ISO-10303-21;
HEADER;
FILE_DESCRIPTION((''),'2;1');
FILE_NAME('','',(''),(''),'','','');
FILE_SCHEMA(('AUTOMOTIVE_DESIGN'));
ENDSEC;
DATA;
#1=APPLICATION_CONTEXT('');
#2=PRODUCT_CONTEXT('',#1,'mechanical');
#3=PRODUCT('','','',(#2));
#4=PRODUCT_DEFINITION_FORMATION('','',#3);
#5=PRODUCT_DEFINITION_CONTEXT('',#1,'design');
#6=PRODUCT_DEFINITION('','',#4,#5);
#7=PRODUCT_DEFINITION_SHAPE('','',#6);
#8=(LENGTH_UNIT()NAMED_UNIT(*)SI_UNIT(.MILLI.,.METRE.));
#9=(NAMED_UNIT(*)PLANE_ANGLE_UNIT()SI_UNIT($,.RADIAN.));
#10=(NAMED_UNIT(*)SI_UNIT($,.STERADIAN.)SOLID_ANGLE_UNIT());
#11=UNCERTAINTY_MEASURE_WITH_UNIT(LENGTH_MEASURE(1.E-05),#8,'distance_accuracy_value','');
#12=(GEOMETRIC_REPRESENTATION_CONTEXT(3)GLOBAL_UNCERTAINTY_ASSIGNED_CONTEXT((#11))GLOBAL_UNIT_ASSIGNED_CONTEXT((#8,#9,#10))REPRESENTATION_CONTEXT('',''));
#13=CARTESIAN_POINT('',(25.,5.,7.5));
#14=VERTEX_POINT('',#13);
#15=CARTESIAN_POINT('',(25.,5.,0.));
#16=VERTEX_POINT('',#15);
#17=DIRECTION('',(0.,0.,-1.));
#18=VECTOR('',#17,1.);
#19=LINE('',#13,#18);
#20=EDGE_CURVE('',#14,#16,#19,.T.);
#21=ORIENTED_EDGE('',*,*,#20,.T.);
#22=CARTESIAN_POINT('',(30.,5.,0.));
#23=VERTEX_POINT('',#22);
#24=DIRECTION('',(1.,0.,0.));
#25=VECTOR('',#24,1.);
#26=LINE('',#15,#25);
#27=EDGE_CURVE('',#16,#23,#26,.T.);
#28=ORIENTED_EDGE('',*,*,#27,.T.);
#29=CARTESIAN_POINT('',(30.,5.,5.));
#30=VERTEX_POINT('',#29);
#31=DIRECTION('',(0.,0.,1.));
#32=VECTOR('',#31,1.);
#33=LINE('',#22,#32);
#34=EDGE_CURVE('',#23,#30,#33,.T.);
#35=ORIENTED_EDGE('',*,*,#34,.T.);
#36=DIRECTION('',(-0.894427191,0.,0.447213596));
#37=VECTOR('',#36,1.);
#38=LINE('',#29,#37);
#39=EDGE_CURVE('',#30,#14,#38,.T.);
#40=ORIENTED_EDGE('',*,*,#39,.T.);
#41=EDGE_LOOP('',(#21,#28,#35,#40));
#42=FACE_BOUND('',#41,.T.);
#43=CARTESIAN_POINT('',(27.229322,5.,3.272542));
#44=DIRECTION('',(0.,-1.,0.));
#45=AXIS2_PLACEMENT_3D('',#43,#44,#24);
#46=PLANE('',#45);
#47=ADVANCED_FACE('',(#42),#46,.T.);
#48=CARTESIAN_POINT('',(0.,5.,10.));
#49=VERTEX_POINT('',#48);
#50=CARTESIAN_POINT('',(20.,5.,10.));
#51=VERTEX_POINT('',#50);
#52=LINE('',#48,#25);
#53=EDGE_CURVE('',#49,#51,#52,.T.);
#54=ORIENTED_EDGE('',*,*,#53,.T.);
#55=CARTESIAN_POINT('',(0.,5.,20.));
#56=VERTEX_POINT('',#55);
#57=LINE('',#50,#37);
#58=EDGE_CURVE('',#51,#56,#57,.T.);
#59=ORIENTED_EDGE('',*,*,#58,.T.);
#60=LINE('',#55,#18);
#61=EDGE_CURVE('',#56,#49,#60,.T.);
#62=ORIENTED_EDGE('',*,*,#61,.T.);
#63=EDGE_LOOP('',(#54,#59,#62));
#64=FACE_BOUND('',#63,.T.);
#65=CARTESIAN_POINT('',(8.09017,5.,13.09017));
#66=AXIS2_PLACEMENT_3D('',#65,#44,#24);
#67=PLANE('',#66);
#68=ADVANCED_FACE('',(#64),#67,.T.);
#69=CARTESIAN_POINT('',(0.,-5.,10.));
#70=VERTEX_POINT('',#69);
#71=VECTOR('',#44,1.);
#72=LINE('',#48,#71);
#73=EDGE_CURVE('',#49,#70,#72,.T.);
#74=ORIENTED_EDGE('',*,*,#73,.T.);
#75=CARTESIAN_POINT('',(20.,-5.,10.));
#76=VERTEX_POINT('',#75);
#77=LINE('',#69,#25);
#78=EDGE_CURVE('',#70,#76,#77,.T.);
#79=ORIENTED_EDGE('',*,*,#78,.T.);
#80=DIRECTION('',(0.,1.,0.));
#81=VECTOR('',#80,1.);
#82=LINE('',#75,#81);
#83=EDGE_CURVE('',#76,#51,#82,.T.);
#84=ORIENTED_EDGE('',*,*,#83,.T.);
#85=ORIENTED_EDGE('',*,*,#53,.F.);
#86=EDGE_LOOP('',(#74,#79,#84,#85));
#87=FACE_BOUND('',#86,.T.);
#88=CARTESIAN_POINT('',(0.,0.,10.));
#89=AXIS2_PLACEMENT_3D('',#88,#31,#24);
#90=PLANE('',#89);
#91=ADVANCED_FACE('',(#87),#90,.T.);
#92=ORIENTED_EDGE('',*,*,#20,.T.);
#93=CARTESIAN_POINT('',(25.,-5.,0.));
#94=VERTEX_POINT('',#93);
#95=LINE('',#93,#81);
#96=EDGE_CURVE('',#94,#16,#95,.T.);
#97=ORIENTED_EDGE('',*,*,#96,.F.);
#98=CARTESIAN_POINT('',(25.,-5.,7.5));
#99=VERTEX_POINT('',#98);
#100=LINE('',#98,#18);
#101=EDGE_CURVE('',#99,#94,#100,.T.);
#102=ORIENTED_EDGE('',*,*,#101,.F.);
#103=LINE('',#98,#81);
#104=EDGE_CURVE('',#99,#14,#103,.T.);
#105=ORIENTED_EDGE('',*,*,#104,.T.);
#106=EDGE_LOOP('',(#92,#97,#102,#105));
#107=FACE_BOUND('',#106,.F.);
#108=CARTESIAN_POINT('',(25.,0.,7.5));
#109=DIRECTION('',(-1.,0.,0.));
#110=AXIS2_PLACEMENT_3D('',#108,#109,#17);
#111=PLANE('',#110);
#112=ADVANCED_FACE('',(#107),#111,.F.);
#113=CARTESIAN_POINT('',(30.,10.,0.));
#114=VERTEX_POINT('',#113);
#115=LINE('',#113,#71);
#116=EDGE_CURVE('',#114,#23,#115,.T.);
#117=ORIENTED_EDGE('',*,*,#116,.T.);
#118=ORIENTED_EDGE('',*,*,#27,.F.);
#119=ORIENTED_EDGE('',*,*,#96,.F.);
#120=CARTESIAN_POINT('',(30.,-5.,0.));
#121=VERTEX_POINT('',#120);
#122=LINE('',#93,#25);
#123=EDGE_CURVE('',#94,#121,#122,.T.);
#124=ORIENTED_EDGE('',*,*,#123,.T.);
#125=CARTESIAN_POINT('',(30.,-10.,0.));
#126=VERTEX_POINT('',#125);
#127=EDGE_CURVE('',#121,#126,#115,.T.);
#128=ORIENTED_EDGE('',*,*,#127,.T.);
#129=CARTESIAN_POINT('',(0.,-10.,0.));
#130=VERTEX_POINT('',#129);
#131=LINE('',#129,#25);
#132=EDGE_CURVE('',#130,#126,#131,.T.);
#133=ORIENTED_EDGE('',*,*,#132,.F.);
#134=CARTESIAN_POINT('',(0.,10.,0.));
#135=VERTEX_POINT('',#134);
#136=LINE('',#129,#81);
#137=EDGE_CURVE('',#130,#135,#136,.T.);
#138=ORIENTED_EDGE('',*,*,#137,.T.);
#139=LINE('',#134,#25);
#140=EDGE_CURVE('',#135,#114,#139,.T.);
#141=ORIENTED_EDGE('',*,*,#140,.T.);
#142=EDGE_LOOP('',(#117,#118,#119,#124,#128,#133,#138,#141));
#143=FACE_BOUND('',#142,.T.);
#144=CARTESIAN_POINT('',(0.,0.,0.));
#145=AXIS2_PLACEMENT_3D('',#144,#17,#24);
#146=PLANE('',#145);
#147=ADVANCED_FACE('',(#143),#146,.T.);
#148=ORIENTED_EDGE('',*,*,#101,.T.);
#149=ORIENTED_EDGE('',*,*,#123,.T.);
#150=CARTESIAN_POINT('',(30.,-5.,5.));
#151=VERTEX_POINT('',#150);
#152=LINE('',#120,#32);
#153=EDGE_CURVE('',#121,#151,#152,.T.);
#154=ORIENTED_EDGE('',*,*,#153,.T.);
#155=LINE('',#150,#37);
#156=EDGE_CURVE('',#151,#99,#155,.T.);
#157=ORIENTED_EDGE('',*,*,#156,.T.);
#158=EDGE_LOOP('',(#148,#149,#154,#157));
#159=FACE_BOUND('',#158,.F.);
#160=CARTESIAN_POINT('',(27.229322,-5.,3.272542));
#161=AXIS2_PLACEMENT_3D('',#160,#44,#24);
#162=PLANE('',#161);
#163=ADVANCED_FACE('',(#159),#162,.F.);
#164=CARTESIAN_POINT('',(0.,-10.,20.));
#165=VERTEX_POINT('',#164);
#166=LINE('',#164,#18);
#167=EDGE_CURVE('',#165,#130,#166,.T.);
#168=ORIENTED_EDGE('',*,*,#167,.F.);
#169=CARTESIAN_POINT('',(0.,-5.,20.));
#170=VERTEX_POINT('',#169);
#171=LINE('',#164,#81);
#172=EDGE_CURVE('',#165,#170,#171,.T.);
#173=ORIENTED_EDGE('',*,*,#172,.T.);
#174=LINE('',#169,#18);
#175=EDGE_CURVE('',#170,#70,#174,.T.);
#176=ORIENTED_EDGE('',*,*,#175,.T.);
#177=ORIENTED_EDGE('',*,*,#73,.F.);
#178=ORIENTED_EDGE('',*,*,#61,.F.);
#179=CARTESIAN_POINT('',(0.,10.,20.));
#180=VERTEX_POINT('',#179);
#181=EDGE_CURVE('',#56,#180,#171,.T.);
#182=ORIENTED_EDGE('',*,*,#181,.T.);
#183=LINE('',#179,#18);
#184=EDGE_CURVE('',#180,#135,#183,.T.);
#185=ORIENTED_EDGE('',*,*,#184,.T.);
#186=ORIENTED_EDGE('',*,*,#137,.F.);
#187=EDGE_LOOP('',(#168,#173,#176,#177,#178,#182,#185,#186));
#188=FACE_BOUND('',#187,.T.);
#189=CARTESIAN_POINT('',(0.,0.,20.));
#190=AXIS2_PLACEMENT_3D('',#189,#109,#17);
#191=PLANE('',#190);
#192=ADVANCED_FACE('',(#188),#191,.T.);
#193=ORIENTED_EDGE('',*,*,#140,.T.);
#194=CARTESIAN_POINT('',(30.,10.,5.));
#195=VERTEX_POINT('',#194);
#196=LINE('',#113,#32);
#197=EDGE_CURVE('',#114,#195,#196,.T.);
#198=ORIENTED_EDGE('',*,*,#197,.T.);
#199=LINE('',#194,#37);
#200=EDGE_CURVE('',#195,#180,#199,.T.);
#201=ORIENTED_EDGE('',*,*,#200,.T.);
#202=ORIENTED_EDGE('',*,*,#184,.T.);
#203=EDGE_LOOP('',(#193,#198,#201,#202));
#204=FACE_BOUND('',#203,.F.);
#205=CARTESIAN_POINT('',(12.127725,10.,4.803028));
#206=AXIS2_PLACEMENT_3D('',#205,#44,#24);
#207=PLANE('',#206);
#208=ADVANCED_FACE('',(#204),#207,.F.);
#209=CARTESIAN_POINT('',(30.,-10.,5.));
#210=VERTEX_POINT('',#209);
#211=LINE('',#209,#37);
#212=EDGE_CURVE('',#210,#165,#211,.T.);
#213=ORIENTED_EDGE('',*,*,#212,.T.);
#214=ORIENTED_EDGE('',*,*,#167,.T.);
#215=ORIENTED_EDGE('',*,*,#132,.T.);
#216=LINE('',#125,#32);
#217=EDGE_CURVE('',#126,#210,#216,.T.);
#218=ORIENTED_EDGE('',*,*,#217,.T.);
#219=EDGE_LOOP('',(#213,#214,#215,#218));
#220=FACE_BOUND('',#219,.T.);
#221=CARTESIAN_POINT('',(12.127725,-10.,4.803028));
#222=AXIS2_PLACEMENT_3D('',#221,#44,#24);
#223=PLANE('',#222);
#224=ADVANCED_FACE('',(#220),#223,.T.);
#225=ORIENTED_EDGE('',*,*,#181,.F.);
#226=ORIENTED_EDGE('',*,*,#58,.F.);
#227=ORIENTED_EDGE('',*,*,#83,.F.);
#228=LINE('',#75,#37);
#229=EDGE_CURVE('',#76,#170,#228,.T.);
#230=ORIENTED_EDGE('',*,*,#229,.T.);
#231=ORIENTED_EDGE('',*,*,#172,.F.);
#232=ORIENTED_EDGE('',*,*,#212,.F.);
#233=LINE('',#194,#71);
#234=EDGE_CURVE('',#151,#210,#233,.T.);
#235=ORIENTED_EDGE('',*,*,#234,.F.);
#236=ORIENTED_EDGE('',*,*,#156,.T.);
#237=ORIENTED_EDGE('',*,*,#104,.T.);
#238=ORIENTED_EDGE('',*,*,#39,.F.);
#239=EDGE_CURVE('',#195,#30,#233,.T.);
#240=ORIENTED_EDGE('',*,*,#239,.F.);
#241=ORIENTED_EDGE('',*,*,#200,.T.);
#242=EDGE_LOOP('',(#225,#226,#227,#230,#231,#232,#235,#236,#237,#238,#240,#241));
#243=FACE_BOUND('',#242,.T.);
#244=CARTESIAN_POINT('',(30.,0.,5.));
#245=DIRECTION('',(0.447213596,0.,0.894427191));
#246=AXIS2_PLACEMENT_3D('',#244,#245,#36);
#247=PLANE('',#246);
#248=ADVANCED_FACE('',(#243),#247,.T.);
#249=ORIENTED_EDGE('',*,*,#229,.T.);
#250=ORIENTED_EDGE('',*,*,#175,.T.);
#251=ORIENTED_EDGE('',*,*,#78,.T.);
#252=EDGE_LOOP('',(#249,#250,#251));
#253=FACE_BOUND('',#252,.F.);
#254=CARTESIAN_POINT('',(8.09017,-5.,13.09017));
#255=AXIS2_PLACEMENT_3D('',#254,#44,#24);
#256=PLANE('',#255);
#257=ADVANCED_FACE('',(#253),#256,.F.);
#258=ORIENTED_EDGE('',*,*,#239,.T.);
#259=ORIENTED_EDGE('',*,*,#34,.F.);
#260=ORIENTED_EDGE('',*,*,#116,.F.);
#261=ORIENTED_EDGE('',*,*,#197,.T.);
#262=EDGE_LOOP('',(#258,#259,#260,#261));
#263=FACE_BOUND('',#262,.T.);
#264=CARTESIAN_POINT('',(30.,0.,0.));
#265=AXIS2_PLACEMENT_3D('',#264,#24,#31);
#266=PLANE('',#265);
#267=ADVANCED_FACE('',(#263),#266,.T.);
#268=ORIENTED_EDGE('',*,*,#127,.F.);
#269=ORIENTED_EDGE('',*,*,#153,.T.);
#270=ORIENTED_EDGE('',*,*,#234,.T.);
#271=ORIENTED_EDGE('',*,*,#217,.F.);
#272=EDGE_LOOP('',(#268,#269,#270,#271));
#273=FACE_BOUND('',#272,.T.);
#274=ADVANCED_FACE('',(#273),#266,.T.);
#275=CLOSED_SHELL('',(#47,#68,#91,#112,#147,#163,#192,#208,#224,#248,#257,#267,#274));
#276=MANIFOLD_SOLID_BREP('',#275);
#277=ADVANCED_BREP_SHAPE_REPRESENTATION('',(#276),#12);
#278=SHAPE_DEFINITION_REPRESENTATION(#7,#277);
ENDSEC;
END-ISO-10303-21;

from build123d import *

# Parameters (mm, degrees)
F1_DEPTH = 10
F2_DEPTH = 5


with BuildPart() as f1:
    # F0 (on Front) → F1 (new body, symmetric)
    with BuildSketch(Plane.XZ):
        Polygon((0, 10), (0, 0), (25, 0), (25, 5), (25, 7.5), (20, 10), align=None)
        Polygon((25, 5), (25, 0), (30, 0), (30, 5), (25, 7.5), align=None)
        Polygon((0, 20), (0, 10), (20, 10), align=None)
    extrude(amount=F1_DEPTH, both=True)

    # F0 (on Front) → F2 (cut, symmetric)
    with BuildSketch(Plane.XZ):
        Polygon((0, 20), (0, 10), (20, 10), align=None)
        Polygon((25, 5), (25, 0), (30, 0), (30, 5), (25, 7.5), align=None)
    extrude(amount=F2_DEPTH, both=True, mode=Mode.SUBTRACT)


solid = f1.part
